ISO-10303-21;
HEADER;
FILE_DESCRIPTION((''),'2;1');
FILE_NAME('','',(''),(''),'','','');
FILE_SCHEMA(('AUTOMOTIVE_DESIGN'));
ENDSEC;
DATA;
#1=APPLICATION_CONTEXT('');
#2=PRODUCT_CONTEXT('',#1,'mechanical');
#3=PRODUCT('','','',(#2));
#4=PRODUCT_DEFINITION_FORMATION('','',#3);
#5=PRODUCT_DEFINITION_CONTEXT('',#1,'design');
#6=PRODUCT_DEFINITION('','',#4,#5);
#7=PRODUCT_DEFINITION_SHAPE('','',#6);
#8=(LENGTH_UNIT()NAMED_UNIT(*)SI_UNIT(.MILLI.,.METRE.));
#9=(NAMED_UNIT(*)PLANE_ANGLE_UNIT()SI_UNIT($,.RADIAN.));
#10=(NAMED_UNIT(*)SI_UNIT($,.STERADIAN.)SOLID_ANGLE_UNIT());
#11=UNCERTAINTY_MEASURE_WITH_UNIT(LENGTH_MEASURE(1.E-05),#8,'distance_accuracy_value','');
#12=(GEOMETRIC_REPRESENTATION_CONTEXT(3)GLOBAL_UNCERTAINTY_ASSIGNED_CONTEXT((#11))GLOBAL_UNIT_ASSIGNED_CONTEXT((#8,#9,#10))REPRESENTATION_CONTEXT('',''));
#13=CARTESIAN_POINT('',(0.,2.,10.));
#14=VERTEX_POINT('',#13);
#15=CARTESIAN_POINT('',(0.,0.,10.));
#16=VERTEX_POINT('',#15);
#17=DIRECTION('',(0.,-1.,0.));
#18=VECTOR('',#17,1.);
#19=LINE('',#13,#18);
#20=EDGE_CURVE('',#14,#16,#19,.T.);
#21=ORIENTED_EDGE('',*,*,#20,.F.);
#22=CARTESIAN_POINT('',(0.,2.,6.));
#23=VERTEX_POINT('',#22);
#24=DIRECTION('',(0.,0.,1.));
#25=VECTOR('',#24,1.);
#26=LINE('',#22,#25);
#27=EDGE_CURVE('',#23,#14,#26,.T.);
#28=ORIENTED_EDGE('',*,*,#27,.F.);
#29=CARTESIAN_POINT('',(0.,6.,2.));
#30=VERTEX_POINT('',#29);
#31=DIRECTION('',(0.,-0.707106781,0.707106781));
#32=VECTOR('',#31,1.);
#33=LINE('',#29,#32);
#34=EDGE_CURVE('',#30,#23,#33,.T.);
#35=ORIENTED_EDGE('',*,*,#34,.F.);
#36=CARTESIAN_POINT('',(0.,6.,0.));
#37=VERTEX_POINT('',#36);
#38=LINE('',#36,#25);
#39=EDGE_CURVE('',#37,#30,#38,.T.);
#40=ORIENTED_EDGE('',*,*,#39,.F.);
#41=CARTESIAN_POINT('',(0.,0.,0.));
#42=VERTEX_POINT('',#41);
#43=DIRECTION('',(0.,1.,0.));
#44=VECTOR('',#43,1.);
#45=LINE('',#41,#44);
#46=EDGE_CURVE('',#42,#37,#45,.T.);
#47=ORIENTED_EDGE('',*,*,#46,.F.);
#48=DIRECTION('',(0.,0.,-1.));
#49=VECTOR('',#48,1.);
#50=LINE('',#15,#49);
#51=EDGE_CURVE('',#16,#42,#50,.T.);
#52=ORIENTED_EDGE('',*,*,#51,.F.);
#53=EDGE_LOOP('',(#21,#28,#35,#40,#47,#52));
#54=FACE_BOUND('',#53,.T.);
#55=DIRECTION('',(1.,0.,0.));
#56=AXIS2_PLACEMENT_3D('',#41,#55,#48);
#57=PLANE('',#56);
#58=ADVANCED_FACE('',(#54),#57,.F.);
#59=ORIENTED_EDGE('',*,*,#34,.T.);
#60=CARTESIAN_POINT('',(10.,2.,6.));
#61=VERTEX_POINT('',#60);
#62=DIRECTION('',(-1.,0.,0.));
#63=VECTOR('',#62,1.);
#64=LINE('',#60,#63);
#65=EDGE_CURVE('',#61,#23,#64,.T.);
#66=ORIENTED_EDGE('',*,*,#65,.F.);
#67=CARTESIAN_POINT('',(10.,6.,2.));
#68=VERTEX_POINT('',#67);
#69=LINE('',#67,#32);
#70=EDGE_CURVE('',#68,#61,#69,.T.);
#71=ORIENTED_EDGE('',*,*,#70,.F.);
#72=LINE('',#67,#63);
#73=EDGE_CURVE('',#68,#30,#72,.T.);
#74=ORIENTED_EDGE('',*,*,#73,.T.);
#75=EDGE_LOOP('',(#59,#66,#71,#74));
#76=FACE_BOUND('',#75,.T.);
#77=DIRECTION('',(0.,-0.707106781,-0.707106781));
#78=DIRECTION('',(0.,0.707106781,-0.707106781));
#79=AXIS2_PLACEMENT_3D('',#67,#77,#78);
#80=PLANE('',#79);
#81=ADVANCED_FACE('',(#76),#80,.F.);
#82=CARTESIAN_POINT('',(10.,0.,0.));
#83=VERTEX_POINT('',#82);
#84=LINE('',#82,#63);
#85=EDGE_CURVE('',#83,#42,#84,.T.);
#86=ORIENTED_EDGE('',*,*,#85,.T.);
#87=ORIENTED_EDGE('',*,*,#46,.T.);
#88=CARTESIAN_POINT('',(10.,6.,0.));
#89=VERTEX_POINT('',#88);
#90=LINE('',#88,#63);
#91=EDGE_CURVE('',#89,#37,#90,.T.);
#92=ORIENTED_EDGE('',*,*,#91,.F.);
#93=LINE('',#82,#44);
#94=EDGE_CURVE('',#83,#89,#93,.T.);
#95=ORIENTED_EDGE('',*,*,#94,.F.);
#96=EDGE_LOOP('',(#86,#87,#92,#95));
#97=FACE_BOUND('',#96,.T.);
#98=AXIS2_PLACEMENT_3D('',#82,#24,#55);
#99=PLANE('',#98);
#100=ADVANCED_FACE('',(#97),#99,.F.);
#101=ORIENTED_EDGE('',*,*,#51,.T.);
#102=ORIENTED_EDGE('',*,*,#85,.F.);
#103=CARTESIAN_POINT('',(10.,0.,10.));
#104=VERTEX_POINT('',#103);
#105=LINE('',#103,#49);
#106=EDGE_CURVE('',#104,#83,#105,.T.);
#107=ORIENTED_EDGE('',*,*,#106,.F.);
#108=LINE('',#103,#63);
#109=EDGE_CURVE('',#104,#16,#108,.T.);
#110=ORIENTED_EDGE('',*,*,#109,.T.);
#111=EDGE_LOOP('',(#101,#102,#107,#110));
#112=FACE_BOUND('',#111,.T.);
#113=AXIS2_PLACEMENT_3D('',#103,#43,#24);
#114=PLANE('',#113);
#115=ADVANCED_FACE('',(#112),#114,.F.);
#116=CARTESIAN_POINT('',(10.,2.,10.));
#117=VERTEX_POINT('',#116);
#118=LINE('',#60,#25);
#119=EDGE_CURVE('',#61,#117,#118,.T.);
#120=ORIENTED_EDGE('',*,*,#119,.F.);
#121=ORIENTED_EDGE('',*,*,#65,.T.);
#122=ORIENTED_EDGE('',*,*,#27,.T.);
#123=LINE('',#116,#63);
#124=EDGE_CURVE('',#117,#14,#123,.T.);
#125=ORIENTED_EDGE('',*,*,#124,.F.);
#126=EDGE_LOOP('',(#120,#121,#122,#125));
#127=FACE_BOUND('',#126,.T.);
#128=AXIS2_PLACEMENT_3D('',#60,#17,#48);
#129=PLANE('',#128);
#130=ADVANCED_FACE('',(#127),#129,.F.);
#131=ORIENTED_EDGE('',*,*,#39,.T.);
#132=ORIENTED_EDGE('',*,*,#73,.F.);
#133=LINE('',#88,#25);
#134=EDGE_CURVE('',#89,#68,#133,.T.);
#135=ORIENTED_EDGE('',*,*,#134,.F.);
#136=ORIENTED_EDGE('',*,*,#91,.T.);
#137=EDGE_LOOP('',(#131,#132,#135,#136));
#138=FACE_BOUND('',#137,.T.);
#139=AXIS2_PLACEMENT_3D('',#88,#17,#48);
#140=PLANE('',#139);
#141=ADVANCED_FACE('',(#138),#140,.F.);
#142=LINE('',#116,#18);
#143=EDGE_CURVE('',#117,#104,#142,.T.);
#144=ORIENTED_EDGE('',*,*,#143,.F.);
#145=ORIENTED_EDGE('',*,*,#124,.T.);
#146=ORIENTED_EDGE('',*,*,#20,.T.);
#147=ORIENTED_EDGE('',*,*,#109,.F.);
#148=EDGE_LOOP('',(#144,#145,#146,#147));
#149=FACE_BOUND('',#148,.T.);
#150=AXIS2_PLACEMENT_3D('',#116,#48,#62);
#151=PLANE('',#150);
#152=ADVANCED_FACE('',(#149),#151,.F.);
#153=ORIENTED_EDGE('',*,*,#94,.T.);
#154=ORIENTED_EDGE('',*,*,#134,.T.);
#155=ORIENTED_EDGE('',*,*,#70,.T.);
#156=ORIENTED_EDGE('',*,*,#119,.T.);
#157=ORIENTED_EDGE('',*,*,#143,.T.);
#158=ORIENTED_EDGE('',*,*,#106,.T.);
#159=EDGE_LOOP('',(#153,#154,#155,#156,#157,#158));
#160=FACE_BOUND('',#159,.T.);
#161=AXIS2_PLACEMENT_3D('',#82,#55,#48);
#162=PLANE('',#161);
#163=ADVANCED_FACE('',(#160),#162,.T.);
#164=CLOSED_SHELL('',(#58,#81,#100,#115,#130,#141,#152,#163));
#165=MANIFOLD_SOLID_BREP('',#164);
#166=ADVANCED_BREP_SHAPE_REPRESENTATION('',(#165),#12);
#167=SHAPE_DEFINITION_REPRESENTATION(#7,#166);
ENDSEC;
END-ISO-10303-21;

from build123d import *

# Parameters (mm, degrees)
BOSS_EXTRUDE1_DEPTH = 10


with BuildPart() as part:
    # Sketch1 → Boss-Extrude1 (new body)
    with BuildSketch(Plane(origin=(0, 0, 0), x_dir=(0, 0, -1), z_dir=(1, 0, 0))):
        Polygon((0, 0), (0, 6), (-2, 6), (-6, 2), (-10, 2), (-10, 0), align=None)
    extrude(amount=BOSS_EXTRUDE1_DEPTH)


solid = part.part
